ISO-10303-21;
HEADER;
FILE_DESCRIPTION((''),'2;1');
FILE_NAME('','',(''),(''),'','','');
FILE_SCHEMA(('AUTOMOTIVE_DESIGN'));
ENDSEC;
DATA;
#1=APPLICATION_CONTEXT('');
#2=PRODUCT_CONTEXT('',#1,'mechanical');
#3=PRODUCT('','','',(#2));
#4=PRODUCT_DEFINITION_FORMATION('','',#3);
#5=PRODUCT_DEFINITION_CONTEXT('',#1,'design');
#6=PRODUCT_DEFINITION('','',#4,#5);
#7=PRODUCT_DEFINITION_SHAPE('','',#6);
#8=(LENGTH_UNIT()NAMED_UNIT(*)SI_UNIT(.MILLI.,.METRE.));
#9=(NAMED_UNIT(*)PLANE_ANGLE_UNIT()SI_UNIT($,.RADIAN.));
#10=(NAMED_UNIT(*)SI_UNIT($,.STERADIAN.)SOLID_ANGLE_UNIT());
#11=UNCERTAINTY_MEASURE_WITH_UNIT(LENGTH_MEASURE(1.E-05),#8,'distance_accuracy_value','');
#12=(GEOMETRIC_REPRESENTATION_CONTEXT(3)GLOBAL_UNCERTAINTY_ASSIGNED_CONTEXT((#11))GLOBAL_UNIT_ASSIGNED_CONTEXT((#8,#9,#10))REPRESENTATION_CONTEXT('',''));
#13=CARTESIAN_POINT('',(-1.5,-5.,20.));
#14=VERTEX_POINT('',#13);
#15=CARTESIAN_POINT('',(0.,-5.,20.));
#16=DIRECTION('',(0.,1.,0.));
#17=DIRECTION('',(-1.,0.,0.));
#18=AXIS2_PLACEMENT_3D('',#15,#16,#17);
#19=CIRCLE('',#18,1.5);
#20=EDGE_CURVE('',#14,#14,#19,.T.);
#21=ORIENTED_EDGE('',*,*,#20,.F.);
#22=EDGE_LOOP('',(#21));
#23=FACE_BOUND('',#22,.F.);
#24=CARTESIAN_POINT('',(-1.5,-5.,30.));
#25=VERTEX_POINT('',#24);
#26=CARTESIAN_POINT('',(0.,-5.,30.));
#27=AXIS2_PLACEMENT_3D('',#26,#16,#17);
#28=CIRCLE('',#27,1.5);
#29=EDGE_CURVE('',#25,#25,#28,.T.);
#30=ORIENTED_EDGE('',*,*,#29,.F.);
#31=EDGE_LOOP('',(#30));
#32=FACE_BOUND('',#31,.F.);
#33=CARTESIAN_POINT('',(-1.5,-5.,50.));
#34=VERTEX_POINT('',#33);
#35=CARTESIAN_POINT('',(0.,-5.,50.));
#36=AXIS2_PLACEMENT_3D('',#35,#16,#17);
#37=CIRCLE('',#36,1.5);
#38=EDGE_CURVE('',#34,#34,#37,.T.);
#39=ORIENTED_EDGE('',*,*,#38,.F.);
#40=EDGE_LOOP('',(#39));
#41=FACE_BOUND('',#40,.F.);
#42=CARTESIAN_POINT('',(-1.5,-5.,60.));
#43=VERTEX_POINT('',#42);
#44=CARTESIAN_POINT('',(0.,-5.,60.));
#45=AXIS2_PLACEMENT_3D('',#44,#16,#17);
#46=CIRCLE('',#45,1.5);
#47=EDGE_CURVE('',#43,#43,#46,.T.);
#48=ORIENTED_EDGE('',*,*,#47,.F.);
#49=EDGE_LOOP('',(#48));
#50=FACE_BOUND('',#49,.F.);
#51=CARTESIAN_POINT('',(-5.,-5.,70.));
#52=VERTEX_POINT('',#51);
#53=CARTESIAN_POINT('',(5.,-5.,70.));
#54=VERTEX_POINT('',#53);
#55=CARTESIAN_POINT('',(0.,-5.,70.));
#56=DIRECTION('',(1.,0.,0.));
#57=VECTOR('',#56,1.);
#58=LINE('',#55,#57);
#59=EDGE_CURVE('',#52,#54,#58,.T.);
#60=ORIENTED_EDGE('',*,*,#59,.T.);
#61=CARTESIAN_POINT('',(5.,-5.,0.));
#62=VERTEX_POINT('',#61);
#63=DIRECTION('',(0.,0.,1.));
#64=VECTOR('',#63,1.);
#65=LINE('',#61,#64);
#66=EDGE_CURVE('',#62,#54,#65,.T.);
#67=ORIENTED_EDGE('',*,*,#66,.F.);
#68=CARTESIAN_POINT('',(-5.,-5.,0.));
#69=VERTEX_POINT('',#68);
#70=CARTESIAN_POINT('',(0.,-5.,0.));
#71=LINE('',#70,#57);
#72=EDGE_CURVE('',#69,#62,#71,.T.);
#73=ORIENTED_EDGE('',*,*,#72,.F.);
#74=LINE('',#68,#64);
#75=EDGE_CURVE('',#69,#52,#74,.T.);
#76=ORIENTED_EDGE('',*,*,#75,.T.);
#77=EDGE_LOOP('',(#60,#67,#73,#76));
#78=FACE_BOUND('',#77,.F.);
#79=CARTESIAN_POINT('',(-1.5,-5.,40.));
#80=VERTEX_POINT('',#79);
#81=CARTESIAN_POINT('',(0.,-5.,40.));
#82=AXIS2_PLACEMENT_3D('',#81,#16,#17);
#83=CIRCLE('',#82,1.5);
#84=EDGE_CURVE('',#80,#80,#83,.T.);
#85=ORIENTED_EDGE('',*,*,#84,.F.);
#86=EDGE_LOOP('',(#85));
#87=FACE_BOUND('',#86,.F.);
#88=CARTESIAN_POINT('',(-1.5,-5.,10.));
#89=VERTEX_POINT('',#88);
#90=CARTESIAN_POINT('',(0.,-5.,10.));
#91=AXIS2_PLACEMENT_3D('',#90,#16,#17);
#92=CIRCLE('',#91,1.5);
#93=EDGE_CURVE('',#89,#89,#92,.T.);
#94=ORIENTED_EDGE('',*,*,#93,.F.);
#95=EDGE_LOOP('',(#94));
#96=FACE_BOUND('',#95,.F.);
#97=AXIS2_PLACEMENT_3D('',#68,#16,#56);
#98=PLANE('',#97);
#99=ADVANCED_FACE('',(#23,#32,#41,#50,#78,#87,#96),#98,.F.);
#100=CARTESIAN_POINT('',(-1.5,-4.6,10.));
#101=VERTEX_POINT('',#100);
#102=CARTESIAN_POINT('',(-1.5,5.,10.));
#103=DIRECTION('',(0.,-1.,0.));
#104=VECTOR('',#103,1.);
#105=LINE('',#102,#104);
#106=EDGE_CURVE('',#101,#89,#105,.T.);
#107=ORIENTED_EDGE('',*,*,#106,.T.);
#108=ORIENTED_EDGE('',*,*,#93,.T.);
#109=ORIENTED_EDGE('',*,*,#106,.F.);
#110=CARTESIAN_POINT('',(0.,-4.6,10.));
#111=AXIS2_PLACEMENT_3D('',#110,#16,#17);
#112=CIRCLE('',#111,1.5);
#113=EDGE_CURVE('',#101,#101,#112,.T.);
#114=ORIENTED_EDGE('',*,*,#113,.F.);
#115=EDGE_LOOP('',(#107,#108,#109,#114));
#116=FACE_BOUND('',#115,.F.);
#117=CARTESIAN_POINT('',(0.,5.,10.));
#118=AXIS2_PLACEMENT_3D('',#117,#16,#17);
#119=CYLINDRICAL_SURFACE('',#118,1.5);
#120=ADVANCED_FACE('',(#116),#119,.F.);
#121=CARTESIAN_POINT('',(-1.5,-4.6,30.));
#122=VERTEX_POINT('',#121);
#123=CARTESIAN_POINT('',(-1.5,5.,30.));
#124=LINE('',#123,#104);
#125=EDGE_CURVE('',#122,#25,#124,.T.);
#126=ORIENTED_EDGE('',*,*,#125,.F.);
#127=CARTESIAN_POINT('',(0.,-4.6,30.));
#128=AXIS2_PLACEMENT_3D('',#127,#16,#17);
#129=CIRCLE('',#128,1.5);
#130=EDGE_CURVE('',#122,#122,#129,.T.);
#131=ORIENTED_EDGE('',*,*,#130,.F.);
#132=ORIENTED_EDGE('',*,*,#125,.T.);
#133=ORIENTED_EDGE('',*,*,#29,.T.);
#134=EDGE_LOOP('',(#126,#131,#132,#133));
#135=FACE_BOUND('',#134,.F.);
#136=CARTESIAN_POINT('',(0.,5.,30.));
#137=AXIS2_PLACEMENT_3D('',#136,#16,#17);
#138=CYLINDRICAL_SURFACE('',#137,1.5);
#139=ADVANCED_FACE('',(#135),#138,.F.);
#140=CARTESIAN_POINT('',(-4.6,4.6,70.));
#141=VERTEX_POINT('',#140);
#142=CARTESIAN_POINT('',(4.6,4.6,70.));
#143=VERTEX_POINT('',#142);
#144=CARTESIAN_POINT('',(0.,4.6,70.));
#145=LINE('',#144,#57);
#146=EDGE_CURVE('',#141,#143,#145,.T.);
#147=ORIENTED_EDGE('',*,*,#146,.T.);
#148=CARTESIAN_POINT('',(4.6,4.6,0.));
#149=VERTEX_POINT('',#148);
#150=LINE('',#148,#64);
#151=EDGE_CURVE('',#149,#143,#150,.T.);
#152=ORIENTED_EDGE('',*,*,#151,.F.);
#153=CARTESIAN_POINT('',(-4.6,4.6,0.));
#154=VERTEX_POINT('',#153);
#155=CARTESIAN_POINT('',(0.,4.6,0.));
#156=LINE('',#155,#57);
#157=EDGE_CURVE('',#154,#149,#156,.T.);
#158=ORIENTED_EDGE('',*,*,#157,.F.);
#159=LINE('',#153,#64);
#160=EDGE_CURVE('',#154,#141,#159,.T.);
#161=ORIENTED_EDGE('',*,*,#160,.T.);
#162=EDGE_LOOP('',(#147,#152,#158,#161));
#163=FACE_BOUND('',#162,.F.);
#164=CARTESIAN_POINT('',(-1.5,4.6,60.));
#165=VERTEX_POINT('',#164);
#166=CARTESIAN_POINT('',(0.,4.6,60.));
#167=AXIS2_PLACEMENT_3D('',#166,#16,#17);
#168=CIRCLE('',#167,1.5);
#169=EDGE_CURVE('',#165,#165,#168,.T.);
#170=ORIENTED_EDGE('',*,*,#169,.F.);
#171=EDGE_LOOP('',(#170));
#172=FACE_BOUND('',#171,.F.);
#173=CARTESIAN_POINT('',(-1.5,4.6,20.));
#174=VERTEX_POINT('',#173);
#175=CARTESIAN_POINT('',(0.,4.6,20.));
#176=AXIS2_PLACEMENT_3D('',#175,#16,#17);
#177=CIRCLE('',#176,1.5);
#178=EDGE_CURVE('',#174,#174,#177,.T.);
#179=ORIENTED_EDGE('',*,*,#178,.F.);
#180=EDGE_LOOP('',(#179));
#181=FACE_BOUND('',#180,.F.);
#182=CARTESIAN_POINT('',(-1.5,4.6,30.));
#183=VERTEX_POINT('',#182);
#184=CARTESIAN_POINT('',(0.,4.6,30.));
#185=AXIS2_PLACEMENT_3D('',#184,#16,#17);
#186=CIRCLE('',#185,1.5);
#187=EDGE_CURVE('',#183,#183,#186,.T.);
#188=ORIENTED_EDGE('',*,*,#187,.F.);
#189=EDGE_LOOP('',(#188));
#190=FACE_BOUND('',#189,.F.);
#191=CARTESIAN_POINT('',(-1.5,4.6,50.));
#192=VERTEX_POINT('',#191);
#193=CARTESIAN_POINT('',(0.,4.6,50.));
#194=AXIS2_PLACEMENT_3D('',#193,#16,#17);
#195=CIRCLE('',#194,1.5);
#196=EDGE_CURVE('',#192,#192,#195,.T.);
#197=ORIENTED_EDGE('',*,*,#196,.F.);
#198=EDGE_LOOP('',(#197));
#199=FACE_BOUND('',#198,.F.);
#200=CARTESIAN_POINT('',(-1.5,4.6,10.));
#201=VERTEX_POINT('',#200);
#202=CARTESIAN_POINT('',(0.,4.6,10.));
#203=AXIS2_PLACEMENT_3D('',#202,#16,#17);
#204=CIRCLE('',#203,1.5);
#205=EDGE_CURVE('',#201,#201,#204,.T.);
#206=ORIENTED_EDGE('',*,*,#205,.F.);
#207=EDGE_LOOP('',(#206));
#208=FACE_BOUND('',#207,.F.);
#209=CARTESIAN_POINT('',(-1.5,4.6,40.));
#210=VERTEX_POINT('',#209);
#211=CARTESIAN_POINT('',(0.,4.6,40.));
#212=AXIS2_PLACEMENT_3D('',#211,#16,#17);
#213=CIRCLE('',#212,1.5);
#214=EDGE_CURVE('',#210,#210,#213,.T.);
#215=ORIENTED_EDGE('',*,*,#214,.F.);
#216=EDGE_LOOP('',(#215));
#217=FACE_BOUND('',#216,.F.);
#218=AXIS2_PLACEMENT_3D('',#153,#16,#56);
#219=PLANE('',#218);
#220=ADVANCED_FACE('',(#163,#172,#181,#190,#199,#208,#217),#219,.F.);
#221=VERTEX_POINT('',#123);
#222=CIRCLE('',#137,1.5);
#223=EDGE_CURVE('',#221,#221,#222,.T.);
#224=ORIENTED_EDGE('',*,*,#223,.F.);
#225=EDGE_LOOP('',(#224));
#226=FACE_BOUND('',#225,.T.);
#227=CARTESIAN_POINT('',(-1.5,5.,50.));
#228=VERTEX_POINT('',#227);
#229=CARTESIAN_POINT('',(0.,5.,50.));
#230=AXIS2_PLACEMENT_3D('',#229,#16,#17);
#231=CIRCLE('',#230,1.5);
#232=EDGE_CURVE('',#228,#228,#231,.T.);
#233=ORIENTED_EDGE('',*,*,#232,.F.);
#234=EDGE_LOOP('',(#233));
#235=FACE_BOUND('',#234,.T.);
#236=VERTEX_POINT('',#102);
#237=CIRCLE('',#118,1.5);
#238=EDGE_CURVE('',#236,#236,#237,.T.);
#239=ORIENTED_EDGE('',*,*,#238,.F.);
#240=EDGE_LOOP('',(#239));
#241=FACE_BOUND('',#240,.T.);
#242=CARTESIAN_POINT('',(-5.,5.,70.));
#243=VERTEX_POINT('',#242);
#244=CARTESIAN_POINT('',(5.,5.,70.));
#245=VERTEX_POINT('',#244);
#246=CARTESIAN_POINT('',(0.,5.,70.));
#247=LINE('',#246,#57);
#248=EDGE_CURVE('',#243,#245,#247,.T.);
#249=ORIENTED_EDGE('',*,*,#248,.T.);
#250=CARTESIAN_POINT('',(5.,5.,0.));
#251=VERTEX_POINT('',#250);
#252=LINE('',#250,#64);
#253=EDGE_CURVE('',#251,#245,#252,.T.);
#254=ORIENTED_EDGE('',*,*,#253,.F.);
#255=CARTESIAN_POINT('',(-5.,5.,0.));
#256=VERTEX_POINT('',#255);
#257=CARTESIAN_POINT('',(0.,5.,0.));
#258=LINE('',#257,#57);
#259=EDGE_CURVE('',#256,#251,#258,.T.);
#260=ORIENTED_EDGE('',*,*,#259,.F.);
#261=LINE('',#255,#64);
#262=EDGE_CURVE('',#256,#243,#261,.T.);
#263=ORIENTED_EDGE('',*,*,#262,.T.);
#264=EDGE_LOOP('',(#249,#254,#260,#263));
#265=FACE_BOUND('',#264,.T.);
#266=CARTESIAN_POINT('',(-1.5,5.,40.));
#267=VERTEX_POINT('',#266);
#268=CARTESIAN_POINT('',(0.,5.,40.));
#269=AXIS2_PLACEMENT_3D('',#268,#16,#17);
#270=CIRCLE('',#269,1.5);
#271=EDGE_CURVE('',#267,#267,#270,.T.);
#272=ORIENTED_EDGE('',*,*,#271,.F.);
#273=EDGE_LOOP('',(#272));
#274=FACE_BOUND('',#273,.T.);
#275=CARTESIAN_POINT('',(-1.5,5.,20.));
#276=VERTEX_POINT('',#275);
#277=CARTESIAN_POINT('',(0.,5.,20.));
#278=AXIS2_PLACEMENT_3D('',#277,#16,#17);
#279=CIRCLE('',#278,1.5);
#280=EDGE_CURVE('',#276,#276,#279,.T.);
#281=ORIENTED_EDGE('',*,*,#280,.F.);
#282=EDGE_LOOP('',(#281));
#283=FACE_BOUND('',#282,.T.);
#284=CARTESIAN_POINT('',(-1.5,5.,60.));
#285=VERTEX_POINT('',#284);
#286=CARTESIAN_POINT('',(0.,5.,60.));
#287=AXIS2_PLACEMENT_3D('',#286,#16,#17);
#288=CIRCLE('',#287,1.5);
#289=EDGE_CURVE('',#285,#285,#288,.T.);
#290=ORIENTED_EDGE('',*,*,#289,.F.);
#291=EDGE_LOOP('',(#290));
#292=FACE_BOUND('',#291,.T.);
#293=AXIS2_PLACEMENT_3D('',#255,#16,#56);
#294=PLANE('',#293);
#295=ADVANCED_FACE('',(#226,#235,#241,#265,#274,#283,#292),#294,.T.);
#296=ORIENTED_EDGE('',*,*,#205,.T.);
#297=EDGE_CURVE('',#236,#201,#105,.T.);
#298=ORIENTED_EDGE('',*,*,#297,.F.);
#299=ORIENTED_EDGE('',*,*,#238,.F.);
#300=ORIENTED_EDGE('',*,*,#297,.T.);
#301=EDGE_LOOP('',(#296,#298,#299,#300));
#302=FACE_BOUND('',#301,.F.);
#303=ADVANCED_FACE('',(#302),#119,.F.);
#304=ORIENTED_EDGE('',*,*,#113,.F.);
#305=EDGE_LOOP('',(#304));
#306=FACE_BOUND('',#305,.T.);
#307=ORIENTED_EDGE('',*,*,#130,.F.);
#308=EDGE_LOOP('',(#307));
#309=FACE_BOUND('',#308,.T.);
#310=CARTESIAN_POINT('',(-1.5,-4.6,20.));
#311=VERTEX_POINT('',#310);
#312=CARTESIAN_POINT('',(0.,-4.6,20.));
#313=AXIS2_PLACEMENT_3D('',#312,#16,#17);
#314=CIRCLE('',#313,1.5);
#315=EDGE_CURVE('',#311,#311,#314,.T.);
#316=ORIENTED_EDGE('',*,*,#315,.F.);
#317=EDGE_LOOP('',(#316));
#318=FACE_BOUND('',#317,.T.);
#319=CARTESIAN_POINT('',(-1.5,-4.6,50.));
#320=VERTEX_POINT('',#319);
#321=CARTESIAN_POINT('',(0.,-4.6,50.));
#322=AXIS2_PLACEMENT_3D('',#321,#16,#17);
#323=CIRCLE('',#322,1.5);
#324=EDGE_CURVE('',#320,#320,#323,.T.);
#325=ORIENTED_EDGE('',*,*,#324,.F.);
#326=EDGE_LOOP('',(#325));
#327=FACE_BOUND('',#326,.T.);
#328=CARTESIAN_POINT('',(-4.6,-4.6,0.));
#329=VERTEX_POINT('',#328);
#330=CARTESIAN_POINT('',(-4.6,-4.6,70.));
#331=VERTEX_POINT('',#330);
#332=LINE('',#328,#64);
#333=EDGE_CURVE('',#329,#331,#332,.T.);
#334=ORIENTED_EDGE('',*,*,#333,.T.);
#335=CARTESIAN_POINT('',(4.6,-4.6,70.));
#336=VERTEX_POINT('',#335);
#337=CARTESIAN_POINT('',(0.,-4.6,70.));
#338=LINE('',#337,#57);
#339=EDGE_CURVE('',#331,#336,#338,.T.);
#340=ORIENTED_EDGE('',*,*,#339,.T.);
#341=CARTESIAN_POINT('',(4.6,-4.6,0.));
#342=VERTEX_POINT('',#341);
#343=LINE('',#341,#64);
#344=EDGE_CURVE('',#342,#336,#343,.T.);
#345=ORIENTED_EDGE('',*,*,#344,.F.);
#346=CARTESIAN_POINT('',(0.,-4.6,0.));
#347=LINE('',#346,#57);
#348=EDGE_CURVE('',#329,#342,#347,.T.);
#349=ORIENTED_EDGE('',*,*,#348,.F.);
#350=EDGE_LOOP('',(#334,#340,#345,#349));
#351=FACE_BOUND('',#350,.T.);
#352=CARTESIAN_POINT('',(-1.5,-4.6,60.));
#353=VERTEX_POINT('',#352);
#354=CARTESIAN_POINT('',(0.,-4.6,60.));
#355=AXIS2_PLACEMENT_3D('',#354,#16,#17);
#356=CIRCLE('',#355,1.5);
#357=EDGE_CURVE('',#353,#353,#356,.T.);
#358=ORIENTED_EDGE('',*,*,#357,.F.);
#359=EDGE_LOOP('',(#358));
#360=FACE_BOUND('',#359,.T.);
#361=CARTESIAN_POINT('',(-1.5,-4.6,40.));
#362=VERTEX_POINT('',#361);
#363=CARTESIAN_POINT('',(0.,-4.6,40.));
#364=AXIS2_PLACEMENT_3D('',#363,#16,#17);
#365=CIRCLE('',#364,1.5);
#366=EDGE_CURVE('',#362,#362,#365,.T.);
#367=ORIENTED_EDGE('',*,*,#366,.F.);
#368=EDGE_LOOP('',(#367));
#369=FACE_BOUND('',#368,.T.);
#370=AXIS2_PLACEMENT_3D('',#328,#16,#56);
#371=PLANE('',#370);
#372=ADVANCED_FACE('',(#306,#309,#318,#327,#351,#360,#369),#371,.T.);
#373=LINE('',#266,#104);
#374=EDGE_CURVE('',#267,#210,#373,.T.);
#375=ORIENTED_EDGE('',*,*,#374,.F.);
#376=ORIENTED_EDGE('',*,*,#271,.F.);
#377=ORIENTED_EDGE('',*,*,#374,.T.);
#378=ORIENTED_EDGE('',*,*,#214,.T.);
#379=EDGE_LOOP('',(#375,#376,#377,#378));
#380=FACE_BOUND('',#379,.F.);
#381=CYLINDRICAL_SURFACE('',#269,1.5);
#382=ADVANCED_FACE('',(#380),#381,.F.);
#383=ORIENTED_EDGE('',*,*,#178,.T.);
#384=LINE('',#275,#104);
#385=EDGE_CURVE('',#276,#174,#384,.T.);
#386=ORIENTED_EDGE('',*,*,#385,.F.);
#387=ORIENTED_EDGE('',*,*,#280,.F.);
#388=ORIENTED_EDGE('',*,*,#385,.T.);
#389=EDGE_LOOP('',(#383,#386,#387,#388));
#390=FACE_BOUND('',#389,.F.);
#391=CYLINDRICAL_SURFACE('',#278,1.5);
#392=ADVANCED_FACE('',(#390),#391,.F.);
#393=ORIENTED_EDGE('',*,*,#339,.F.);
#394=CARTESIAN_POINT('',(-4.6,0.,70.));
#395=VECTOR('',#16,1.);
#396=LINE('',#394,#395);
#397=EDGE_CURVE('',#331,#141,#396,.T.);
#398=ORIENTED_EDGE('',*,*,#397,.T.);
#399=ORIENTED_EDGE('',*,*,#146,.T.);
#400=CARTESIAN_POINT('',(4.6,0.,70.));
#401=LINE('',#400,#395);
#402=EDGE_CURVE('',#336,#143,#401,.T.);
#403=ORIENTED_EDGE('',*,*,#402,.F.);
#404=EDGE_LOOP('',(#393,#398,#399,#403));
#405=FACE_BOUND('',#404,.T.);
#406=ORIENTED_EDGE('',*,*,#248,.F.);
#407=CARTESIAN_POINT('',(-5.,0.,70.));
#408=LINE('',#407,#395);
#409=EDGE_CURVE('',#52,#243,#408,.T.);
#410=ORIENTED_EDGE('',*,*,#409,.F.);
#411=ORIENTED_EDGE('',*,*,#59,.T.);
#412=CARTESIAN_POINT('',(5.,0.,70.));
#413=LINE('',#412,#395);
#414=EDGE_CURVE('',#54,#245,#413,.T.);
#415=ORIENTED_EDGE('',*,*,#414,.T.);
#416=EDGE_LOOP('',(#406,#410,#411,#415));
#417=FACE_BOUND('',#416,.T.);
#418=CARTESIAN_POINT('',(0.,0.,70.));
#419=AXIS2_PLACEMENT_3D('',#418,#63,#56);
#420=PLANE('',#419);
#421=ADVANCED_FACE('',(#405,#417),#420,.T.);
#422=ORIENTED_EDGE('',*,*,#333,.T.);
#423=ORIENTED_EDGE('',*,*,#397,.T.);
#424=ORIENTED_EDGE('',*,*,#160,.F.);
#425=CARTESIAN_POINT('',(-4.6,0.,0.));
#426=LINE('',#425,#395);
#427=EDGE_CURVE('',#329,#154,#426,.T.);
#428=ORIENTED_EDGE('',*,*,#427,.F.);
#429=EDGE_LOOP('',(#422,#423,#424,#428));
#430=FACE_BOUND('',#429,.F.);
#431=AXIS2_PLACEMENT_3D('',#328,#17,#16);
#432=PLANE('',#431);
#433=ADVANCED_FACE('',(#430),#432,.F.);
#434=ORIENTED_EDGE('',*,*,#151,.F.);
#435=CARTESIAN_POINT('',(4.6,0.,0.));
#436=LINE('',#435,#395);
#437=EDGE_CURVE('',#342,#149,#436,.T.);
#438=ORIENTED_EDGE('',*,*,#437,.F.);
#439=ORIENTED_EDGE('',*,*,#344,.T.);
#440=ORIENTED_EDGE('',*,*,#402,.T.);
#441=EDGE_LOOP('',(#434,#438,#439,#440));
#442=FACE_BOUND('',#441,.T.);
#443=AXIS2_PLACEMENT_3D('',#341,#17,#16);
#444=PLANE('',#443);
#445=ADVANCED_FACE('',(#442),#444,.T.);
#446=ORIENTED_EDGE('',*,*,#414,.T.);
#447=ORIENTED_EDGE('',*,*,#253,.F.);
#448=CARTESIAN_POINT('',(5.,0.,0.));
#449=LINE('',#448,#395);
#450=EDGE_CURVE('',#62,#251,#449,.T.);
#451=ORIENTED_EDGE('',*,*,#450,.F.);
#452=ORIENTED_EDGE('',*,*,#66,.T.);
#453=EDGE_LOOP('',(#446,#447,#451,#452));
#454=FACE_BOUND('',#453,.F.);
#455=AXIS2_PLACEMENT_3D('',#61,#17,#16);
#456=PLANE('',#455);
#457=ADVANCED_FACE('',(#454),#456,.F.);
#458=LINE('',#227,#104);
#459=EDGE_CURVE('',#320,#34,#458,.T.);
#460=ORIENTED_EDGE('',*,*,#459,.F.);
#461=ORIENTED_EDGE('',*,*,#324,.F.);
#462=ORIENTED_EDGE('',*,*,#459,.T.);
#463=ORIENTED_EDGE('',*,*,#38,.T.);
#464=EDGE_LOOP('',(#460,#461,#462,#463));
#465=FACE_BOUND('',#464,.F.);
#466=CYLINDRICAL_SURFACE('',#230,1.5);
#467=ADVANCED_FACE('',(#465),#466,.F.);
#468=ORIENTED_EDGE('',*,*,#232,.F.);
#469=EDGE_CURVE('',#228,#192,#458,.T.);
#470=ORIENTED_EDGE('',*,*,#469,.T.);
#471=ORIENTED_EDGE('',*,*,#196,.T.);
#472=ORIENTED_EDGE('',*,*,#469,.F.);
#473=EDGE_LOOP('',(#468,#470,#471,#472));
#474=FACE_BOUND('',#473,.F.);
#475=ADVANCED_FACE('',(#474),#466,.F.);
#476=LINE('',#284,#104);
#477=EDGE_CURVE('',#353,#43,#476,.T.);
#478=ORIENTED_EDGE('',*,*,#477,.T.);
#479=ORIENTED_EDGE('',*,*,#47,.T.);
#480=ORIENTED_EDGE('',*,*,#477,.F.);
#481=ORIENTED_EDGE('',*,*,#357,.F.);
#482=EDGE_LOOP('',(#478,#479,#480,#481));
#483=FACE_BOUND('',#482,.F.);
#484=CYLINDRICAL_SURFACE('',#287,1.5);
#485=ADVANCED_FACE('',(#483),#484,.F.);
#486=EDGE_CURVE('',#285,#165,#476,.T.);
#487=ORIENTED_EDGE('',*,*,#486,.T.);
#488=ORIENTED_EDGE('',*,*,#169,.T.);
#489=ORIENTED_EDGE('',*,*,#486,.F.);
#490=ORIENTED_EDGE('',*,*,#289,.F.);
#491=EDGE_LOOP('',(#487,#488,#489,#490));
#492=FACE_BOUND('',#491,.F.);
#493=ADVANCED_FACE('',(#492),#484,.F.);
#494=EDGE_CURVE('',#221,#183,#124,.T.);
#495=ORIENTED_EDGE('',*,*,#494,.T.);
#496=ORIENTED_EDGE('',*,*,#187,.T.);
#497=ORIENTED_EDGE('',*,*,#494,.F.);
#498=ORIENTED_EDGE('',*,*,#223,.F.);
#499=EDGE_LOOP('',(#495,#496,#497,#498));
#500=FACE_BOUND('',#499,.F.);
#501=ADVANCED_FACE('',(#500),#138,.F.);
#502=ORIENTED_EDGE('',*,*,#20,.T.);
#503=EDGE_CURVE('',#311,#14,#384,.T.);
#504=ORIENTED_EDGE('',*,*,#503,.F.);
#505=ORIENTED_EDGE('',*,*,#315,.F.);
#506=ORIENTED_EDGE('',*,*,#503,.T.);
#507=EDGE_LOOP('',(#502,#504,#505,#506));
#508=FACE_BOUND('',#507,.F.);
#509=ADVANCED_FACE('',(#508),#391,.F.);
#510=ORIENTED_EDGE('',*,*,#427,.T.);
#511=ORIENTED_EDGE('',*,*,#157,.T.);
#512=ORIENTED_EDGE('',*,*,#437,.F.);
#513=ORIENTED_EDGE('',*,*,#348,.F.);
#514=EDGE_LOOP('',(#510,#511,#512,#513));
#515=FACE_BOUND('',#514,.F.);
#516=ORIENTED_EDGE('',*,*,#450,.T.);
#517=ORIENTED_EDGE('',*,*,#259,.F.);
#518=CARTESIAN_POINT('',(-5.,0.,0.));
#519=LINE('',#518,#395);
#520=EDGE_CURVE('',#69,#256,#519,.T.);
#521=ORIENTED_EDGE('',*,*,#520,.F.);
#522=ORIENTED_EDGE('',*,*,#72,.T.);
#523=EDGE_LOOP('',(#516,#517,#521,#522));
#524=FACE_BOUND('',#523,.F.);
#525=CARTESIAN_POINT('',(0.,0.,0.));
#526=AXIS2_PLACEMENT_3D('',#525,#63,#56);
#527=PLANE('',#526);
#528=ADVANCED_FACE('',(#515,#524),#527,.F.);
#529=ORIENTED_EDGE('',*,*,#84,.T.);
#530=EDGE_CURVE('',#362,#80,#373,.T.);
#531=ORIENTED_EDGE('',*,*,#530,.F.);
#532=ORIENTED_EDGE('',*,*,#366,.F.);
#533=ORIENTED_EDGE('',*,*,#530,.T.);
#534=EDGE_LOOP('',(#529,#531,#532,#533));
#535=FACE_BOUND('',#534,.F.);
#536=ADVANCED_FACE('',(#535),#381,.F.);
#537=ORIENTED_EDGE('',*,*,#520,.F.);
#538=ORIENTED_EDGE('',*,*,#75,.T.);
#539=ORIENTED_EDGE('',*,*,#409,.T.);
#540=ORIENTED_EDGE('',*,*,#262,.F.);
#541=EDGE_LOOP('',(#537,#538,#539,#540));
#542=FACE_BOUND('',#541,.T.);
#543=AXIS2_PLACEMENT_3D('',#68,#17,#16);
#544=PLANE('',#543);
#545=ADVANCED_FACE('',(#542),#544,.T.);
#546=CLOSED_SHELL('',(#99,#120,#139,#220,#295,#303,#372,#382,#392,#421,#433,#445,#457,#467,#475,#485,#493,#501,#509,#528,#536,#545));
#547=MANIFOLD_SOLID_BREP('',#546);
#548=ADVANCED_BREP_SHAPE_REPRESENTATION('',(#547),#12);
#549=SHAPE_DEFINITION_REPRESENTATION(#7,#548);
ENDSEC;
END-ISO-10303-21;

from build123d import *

# Parameters (mm, degrees)
F0_W     = 10
F0_H     = 10
F0_W_2   = 9.2
F0_H_2   = 9.2
F1_DEPTH = 70
F2_R     = 1.5
F3_DEPTH = 25


with BuildPart() as f1:
    # F0 (on Top) → F1 (new body)
    with BuildSketch(Plane.XY):
        Rectangle(F0_W, F0_H)
        Rectangle(F0_W_2, F0_H_2, mode=Mode.SUBTRACT)
    extrude(amount=F1_DEPTH)

    # F2 (on face) → F3 (cut)
    with BuildSketch(Plane(origin=(0, 5, 0), x_dir=(-1, 0, 0), z_dir=(0, 1, 0))):
        with Locations((0, 60)):
            Circle(F2_R)
        with Locations((0, 50)):
            Circle(F2_R)
        with Locations((0, 40)):
            Circle(F2_R)
        with Locations((0, 30)):
            Circle(F2_R)
        with Locations((0, 20)):
            Circle(F2_R)
        with Locations((0, 10)):
            Circle(F2_R)
    extrude(amount=-F3_DEPTH, mode=Mode.SUBTRACT)


solid = f1.part
